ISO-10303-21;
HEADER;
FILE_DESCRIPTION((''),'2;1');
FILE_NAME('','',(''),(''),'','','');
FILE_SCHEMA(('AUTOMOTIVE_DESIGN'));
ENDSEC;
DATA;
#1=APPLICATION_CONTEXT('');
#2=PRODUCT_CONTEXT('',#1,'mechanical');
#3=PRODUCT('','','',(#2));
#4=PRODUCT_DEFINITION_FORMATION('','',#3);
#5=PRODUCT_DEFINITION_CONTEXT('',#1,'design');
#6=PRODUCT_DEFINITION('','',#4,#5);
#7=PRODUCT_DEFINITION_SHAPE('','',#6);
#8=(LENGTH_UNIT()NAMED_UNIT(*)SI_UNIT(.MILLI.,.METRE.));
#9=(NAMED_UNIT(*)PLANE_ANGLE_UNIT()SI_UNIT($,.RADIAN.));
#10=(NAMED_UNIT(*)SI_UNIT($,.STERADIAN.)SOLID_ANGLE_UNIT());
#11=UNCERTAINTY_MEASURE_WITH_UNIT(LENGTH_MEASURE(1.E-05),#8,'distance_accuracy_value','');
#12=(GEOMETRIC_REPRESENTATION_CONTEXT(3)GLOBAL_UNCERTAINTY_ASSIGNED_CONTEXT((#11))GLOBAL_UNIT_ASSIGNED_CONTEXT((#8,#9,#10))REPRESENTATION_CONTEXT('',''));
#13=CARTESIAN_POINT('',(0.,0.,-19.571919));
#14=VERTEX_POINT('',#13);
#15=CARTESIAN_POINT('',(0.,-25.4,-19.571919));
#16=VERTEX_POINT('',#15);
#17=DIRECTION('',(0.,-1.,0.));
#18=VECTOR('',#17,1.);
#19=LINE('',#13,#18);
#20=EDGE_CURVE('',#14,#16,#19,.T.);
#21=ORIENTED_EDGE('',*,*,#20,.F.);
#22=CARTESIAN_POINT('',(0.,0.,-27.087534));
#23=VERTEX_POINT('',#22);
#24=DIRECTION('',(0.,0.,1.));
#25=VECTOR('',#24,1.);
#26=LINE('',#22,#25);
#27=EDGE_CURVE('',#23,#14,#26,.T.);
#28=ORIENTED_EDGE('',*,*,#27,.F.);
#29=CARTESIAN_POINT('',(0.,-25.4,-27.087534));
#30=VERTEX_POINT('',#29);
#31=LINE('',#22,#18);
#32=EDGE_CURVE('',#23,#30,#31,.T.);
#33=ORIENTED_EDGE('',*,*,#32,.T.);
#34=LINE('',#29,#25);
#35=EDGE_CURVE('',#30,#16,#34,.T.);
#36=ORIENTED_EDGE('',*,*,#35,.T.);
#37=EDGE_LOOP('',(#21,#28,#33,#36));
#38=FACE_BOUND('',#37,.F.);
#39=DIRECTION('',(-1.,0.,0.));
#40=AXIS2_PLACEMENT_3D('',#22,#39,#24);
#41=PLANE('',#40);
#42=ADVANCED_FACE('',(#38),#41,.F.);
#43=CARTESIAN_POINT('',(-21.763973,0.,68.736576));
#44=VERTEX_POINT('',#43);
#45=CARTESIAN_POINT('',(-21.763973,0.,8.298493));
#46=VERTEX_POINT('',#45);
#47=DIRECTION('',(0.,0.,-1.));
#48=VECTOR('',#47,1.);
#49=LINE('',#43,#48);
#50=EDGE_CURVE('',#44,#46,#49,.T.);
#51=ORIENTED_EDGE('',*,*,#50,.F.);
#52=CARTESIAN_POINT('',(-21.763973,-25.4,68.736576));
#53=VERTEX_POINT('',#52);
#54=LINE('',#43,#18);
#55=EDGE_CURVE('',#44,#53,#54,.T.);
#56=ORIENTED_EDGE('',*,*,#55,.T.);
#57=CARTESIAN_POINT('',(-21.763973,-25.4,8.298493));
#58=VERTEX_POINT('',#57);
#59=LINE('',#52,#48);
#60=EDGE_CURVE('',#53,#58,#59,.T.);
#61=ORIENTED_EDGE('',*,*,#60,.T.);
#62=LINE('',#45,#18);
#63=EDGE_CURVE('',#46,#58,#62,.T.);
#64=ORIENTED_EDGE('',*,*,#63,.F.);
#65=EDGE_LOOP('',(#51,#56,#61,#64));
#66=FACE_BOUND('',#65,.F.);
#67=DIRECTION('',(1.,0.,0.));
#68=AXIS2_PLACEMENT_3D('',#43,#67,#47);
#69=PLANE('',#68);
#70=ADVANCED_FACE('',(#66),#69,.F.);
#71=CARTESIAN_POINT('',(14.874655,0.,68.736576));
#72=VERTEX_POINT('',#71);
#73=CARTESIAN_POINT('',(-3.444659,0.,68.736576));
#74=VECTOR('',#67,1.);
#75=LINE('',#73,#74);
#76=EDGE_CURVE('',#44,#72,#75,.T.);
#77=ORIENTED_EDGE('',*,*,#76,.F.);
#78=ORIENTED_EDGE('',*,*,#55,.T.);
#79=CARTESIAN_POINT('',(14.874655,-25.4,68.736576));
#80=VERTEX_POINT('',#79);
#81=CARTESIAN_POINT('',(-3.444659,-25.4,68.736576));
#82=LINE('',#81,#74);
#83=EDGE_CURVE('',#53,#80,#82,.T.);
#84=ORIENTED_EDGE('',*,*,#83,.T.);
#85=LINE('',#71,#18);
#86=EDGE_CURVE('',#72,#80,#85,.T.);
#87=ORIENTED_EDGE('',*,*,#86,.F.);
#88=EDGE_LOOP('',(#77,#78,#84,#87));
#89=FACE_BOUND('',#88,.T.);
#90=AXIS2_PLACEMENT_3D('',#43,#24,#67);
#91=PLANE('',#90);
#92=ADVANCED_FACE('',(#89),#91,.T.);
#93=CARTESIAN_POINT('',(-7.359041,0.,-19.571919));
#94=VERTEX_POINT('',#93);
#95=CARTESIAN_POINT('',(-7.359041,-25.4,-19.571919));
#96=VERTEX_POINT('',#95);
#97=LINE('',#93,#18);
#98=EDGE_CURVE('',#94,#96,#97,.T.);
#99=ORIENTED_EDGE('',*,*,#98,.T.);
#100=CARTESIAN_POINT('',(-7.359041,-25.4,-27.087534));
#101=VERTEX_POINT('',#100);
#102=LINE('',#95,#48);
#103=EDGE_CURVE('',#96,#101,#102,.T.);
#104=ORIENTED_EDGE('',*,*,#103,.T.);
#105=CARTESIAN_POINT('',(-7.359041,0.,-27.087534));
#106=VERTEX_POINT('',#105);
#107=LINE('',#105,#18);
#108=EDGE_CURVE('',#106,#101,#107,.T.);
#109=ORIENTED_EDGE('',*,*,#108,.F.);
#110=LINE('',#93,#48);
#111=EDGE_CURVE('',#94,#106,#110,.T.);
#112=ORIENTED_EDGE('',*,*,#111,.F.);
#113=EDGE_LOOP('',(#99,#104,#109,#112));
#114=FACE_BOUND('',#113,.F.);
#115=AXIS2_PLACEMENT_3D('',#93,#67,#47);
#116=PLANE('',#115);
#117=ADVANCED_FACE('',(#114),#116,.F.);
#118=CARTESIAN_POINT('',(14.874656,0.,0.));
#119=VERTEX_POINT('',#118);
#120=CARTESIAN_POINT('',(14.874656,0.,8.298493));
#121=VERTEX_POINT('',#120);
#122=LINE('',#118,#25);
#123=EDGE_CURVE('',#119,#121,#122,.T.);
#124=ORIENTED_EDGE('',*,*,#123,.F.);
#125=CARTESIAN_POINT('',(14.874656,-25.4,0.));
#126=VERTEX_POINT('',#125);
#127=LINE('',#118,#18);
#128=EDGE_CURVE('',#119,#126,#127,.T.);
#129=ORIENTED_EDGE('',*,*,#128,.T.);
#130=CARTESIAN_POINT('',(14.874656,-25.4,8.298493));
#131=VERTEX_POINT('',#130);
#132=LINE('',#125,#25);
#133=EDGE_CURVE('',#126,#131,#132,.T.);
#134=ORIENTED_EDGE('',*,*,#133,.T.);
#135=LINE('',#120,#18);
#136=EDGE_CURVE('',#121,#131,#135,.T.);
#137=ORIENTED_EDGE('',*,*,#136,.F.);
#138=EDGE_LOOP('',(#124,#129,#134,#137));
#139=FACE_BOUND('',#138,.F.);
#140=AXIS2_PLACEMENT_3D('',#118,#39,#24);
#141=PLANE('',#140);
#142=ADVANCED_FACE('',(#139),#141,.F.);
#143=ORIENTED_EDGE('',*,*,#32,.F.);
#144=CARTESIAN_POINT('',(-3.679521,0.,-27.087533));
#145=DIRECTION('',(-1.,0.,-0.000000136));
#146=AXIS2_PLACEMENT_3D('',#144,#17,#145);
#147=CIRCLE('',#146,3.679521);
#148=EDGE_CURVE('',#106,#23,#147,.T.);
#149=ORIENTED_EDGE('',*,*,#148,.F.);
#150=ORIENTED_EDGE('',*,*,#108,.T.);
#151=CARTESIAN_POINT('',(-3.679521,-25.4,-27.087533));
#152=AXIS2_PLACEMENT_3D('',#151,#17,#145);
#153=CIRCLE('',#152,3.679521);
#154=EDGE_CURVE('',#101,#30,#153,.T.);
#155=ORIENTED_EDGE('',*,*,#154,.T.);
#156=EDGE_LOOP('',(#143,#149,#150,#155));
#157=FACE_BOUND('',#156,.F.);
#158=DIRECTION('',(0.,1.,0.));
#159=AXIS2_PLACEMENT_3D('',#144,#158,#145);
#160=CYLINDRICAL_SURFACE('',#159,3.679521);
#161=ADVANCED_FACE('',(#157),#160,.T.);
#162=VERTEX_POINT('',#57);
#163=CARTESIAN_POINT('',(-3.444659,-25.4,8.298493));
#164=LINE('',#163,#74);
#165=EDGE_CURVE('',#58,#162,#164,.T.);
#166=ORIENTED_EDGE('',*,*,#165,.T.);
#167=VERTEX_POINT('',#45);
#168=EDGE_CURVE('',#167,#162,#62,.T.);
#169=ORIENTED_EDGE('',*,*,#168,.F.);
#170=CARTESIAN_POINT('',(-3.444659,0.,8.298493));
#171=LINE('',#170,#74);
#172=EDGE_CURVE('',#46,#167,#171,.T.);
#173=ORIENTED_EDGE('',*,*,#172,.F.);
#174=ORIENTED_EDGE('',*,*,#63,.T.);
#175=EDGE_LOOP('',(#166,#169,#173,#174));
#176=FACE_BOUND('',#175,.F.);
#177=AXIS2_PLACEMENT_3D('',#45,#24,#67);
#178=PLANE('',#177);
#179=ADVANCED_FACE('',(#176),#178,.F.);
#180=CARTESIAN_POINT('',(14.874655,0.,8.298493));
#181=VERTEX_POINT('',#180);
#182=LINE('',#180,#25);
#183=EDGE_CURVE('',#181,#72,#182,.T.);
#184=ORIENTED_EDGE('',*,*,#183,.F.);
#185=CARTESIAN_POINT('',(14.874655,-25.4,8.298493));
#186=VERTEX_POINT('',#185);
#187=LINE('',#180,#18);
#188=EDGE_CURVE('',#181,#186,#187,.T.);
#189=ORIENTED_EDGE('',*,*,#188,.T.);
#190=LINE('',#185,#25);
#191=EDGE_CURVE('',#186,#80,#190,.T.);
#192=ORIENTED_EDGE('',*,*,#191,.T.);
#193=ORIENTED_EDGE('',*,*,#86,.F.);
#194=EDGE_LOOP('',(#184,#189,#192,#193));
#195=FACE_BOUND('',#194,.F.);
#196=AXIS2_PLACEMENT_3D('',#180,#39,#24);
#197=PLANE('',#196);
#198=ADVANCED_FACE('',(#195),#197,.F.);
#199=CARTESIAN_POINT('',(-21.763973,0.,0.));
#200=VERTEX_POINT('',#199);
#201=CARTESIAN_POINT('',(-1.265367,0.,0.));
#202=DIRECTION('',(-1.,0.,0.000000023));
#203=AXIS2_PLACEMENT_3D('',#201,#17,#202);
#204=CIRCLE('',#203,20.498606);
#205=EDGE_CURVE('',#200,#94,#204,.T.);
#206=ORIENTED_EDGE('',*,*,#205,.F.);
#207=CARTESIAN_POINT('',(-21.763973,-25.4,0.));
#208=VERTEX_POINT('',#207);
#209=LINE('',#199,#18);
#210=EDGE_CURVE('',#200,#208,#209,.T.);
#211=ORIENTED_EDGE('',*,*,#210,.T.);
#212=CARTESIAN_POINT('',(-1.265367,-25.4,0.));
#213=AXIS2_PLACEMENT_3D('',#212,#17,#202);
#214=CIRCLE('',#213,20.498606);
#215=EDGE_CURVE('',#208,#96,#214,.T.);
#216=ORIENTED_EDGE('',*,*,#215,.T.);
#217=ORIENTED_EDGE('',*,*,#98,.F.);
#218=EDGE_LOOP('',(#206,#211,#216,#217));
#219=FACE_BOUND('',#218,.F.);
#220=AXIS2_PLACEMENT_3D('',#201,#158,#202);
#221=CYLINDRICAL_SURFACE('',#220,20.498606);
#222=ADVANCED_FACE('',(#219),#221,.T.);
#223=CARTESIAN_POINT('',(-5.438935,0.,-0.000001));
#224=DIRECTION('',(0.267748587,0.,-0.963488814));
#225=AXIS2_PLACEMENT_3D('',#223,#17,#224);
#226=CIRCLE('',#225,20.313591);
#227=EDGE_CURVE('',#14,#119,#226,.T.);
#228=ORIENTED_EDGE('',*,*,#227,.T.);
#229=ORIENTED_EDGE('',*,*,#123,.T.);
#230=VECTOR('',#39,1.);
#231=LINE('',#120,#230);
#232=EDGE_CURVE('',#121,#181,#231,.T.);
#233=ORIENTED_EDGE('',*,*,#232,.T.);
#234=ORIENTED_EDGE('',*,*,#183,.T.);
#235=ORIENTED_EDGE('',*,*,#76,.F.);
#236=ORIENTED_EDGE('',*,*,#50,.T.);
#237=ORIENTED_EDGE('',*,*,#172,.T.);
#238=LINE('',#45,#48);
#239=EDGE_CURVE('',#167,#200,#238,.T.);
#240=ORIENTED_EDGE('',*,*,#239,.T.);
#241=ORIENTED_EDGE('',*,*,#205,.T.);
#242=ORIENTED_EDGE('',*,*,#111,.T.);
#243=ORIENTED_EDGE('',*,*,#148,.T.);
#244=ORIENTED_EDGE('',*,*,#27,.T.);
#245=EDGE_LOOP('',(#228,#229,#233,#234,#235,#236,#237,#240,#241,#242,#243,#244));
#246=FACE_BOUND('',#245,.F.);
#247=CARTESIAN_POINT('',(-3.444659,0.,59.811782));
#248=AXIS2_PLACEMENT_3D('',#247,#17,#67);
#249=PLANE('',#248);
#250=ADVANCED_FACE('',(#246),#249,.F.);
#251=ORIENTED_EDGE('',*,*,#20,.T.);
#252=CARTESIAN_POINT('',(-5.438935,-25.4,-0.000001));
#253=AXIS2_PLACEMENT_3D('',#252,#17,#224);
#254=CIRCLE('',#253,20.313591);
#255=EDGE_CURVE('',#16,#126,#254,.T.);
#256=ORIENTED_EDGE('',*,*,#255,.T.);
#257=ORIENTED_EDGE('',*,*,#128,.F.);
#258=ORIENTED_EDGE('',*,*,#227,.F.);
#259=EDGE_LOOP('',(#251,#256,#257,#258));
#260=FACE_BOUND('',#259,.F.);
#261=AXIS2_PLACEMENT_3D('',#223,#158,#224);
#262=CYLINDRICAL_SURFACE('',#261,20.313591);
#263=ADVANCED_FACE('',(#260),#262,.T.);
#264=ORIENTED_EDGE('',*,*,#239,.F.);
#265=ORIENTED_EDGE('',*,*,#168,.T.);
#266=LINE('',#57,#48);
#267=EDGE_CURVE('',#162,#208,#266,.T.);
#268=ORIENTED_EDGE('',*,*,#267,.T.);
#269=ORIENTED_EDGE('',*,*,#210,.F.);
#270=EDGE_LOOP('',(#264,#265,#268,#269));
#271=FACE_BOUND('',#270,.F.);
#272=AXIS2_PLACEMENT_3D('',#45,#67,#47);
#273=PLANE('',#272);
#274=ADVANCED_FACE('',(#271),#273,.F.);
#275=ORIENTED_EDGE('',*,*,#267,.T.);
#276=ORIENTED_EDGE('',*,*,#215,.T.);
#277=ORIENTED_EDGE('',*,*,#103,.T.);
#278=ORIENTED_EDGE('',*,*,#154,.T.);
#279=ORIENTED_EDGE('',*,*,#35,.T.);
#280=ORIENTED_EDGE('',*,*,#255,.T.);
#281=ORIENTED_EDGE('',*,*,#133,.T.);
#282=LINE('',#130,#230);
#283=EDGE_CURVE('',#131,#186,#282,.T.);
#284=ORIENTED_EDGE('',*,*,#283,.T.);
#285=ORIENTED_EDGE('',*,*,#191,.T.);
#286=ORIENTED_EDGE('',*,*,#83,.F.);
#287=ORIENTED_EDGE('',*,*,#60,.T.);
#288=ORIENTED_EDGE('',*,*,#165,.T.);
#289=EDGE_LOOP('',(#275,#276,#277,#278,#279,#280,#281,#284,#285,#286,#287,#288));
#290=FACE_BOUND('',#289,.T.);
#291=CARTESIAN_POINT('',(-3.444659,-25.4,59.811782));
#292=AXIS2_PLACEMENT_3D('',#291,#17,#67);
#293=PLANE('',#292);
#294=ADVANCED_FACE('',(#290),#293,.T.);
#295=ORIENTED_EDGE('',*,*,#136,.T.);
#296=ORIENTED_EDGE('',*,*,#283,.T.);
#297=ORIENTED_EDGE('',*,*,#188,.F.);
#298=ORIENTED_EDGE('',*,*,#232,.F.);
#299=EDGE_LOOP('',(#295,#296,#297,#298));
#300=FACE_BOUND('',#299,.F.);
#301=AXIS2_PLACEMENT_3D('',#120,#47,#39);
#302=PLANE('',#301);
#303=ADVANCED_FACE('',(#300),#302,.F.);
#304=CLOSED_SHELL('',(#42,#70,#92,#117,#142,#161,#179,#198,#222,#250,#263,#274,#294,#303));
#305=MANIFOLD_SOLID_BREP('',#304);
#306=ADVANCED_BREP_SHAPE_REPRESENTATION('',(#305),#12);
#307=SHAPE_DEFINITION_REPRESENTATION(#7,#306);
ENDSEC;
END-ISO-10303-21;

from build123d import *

# Parameters (mm, degrees)
F0_W     = 36.638629
F0_H     = 17.849587
F0_H_2   = 21.920551
F0_H_3   = 20.667945
F1_DEPTH = 25.4


with BuildPart() as f1:
    # F0 (on Front) → F1 (new body)
    with BuildSketch(Plane.XZ):
        with Locations((-3.444659, 59.811782)):
            Rectangle(F0_W, F0_H)
        with Locations((-3.444659, 39.926713)):
            Rectangle(F0_W, F0_H_2)
        with Locations((-3.444659, 18.632465)):
            Rectangle(F0_W, F0_H_3)
        with BuildLine():
            Line((14.874656, 8.298493), (-21.763973, 8.298493))
            Line((-21.763973, 8.298493), (-21.763973, 0))
            ThreePointArc((-21.763973, 0), (-17.774526, -12.150742), (-7.359041, -19.571919))
            Line((-7.359041, -19.571919), (-7.359041, -27.087534))
            Line((-7.359041, -27.087534), (0, -27.087534))
            Line((0, -27.087534), (0, -19.571919))
            ThreePointArc((0, -19.571919), (10.733979, -12.291414), (14.874656, 0))
            Line((14.874656, 0), (14.874656, 8.298493))
        make_face()
        with BuildLine():
            Line((0, -27.087534), (-7.359041, -27.087534))
            ThreePointArc((-7.359041, -27.087534), (-3.67952, -30.767054), (0, -27.087534))
        make_face()
    extrude(amount=F1_DEPTH)


solid = f1.part
